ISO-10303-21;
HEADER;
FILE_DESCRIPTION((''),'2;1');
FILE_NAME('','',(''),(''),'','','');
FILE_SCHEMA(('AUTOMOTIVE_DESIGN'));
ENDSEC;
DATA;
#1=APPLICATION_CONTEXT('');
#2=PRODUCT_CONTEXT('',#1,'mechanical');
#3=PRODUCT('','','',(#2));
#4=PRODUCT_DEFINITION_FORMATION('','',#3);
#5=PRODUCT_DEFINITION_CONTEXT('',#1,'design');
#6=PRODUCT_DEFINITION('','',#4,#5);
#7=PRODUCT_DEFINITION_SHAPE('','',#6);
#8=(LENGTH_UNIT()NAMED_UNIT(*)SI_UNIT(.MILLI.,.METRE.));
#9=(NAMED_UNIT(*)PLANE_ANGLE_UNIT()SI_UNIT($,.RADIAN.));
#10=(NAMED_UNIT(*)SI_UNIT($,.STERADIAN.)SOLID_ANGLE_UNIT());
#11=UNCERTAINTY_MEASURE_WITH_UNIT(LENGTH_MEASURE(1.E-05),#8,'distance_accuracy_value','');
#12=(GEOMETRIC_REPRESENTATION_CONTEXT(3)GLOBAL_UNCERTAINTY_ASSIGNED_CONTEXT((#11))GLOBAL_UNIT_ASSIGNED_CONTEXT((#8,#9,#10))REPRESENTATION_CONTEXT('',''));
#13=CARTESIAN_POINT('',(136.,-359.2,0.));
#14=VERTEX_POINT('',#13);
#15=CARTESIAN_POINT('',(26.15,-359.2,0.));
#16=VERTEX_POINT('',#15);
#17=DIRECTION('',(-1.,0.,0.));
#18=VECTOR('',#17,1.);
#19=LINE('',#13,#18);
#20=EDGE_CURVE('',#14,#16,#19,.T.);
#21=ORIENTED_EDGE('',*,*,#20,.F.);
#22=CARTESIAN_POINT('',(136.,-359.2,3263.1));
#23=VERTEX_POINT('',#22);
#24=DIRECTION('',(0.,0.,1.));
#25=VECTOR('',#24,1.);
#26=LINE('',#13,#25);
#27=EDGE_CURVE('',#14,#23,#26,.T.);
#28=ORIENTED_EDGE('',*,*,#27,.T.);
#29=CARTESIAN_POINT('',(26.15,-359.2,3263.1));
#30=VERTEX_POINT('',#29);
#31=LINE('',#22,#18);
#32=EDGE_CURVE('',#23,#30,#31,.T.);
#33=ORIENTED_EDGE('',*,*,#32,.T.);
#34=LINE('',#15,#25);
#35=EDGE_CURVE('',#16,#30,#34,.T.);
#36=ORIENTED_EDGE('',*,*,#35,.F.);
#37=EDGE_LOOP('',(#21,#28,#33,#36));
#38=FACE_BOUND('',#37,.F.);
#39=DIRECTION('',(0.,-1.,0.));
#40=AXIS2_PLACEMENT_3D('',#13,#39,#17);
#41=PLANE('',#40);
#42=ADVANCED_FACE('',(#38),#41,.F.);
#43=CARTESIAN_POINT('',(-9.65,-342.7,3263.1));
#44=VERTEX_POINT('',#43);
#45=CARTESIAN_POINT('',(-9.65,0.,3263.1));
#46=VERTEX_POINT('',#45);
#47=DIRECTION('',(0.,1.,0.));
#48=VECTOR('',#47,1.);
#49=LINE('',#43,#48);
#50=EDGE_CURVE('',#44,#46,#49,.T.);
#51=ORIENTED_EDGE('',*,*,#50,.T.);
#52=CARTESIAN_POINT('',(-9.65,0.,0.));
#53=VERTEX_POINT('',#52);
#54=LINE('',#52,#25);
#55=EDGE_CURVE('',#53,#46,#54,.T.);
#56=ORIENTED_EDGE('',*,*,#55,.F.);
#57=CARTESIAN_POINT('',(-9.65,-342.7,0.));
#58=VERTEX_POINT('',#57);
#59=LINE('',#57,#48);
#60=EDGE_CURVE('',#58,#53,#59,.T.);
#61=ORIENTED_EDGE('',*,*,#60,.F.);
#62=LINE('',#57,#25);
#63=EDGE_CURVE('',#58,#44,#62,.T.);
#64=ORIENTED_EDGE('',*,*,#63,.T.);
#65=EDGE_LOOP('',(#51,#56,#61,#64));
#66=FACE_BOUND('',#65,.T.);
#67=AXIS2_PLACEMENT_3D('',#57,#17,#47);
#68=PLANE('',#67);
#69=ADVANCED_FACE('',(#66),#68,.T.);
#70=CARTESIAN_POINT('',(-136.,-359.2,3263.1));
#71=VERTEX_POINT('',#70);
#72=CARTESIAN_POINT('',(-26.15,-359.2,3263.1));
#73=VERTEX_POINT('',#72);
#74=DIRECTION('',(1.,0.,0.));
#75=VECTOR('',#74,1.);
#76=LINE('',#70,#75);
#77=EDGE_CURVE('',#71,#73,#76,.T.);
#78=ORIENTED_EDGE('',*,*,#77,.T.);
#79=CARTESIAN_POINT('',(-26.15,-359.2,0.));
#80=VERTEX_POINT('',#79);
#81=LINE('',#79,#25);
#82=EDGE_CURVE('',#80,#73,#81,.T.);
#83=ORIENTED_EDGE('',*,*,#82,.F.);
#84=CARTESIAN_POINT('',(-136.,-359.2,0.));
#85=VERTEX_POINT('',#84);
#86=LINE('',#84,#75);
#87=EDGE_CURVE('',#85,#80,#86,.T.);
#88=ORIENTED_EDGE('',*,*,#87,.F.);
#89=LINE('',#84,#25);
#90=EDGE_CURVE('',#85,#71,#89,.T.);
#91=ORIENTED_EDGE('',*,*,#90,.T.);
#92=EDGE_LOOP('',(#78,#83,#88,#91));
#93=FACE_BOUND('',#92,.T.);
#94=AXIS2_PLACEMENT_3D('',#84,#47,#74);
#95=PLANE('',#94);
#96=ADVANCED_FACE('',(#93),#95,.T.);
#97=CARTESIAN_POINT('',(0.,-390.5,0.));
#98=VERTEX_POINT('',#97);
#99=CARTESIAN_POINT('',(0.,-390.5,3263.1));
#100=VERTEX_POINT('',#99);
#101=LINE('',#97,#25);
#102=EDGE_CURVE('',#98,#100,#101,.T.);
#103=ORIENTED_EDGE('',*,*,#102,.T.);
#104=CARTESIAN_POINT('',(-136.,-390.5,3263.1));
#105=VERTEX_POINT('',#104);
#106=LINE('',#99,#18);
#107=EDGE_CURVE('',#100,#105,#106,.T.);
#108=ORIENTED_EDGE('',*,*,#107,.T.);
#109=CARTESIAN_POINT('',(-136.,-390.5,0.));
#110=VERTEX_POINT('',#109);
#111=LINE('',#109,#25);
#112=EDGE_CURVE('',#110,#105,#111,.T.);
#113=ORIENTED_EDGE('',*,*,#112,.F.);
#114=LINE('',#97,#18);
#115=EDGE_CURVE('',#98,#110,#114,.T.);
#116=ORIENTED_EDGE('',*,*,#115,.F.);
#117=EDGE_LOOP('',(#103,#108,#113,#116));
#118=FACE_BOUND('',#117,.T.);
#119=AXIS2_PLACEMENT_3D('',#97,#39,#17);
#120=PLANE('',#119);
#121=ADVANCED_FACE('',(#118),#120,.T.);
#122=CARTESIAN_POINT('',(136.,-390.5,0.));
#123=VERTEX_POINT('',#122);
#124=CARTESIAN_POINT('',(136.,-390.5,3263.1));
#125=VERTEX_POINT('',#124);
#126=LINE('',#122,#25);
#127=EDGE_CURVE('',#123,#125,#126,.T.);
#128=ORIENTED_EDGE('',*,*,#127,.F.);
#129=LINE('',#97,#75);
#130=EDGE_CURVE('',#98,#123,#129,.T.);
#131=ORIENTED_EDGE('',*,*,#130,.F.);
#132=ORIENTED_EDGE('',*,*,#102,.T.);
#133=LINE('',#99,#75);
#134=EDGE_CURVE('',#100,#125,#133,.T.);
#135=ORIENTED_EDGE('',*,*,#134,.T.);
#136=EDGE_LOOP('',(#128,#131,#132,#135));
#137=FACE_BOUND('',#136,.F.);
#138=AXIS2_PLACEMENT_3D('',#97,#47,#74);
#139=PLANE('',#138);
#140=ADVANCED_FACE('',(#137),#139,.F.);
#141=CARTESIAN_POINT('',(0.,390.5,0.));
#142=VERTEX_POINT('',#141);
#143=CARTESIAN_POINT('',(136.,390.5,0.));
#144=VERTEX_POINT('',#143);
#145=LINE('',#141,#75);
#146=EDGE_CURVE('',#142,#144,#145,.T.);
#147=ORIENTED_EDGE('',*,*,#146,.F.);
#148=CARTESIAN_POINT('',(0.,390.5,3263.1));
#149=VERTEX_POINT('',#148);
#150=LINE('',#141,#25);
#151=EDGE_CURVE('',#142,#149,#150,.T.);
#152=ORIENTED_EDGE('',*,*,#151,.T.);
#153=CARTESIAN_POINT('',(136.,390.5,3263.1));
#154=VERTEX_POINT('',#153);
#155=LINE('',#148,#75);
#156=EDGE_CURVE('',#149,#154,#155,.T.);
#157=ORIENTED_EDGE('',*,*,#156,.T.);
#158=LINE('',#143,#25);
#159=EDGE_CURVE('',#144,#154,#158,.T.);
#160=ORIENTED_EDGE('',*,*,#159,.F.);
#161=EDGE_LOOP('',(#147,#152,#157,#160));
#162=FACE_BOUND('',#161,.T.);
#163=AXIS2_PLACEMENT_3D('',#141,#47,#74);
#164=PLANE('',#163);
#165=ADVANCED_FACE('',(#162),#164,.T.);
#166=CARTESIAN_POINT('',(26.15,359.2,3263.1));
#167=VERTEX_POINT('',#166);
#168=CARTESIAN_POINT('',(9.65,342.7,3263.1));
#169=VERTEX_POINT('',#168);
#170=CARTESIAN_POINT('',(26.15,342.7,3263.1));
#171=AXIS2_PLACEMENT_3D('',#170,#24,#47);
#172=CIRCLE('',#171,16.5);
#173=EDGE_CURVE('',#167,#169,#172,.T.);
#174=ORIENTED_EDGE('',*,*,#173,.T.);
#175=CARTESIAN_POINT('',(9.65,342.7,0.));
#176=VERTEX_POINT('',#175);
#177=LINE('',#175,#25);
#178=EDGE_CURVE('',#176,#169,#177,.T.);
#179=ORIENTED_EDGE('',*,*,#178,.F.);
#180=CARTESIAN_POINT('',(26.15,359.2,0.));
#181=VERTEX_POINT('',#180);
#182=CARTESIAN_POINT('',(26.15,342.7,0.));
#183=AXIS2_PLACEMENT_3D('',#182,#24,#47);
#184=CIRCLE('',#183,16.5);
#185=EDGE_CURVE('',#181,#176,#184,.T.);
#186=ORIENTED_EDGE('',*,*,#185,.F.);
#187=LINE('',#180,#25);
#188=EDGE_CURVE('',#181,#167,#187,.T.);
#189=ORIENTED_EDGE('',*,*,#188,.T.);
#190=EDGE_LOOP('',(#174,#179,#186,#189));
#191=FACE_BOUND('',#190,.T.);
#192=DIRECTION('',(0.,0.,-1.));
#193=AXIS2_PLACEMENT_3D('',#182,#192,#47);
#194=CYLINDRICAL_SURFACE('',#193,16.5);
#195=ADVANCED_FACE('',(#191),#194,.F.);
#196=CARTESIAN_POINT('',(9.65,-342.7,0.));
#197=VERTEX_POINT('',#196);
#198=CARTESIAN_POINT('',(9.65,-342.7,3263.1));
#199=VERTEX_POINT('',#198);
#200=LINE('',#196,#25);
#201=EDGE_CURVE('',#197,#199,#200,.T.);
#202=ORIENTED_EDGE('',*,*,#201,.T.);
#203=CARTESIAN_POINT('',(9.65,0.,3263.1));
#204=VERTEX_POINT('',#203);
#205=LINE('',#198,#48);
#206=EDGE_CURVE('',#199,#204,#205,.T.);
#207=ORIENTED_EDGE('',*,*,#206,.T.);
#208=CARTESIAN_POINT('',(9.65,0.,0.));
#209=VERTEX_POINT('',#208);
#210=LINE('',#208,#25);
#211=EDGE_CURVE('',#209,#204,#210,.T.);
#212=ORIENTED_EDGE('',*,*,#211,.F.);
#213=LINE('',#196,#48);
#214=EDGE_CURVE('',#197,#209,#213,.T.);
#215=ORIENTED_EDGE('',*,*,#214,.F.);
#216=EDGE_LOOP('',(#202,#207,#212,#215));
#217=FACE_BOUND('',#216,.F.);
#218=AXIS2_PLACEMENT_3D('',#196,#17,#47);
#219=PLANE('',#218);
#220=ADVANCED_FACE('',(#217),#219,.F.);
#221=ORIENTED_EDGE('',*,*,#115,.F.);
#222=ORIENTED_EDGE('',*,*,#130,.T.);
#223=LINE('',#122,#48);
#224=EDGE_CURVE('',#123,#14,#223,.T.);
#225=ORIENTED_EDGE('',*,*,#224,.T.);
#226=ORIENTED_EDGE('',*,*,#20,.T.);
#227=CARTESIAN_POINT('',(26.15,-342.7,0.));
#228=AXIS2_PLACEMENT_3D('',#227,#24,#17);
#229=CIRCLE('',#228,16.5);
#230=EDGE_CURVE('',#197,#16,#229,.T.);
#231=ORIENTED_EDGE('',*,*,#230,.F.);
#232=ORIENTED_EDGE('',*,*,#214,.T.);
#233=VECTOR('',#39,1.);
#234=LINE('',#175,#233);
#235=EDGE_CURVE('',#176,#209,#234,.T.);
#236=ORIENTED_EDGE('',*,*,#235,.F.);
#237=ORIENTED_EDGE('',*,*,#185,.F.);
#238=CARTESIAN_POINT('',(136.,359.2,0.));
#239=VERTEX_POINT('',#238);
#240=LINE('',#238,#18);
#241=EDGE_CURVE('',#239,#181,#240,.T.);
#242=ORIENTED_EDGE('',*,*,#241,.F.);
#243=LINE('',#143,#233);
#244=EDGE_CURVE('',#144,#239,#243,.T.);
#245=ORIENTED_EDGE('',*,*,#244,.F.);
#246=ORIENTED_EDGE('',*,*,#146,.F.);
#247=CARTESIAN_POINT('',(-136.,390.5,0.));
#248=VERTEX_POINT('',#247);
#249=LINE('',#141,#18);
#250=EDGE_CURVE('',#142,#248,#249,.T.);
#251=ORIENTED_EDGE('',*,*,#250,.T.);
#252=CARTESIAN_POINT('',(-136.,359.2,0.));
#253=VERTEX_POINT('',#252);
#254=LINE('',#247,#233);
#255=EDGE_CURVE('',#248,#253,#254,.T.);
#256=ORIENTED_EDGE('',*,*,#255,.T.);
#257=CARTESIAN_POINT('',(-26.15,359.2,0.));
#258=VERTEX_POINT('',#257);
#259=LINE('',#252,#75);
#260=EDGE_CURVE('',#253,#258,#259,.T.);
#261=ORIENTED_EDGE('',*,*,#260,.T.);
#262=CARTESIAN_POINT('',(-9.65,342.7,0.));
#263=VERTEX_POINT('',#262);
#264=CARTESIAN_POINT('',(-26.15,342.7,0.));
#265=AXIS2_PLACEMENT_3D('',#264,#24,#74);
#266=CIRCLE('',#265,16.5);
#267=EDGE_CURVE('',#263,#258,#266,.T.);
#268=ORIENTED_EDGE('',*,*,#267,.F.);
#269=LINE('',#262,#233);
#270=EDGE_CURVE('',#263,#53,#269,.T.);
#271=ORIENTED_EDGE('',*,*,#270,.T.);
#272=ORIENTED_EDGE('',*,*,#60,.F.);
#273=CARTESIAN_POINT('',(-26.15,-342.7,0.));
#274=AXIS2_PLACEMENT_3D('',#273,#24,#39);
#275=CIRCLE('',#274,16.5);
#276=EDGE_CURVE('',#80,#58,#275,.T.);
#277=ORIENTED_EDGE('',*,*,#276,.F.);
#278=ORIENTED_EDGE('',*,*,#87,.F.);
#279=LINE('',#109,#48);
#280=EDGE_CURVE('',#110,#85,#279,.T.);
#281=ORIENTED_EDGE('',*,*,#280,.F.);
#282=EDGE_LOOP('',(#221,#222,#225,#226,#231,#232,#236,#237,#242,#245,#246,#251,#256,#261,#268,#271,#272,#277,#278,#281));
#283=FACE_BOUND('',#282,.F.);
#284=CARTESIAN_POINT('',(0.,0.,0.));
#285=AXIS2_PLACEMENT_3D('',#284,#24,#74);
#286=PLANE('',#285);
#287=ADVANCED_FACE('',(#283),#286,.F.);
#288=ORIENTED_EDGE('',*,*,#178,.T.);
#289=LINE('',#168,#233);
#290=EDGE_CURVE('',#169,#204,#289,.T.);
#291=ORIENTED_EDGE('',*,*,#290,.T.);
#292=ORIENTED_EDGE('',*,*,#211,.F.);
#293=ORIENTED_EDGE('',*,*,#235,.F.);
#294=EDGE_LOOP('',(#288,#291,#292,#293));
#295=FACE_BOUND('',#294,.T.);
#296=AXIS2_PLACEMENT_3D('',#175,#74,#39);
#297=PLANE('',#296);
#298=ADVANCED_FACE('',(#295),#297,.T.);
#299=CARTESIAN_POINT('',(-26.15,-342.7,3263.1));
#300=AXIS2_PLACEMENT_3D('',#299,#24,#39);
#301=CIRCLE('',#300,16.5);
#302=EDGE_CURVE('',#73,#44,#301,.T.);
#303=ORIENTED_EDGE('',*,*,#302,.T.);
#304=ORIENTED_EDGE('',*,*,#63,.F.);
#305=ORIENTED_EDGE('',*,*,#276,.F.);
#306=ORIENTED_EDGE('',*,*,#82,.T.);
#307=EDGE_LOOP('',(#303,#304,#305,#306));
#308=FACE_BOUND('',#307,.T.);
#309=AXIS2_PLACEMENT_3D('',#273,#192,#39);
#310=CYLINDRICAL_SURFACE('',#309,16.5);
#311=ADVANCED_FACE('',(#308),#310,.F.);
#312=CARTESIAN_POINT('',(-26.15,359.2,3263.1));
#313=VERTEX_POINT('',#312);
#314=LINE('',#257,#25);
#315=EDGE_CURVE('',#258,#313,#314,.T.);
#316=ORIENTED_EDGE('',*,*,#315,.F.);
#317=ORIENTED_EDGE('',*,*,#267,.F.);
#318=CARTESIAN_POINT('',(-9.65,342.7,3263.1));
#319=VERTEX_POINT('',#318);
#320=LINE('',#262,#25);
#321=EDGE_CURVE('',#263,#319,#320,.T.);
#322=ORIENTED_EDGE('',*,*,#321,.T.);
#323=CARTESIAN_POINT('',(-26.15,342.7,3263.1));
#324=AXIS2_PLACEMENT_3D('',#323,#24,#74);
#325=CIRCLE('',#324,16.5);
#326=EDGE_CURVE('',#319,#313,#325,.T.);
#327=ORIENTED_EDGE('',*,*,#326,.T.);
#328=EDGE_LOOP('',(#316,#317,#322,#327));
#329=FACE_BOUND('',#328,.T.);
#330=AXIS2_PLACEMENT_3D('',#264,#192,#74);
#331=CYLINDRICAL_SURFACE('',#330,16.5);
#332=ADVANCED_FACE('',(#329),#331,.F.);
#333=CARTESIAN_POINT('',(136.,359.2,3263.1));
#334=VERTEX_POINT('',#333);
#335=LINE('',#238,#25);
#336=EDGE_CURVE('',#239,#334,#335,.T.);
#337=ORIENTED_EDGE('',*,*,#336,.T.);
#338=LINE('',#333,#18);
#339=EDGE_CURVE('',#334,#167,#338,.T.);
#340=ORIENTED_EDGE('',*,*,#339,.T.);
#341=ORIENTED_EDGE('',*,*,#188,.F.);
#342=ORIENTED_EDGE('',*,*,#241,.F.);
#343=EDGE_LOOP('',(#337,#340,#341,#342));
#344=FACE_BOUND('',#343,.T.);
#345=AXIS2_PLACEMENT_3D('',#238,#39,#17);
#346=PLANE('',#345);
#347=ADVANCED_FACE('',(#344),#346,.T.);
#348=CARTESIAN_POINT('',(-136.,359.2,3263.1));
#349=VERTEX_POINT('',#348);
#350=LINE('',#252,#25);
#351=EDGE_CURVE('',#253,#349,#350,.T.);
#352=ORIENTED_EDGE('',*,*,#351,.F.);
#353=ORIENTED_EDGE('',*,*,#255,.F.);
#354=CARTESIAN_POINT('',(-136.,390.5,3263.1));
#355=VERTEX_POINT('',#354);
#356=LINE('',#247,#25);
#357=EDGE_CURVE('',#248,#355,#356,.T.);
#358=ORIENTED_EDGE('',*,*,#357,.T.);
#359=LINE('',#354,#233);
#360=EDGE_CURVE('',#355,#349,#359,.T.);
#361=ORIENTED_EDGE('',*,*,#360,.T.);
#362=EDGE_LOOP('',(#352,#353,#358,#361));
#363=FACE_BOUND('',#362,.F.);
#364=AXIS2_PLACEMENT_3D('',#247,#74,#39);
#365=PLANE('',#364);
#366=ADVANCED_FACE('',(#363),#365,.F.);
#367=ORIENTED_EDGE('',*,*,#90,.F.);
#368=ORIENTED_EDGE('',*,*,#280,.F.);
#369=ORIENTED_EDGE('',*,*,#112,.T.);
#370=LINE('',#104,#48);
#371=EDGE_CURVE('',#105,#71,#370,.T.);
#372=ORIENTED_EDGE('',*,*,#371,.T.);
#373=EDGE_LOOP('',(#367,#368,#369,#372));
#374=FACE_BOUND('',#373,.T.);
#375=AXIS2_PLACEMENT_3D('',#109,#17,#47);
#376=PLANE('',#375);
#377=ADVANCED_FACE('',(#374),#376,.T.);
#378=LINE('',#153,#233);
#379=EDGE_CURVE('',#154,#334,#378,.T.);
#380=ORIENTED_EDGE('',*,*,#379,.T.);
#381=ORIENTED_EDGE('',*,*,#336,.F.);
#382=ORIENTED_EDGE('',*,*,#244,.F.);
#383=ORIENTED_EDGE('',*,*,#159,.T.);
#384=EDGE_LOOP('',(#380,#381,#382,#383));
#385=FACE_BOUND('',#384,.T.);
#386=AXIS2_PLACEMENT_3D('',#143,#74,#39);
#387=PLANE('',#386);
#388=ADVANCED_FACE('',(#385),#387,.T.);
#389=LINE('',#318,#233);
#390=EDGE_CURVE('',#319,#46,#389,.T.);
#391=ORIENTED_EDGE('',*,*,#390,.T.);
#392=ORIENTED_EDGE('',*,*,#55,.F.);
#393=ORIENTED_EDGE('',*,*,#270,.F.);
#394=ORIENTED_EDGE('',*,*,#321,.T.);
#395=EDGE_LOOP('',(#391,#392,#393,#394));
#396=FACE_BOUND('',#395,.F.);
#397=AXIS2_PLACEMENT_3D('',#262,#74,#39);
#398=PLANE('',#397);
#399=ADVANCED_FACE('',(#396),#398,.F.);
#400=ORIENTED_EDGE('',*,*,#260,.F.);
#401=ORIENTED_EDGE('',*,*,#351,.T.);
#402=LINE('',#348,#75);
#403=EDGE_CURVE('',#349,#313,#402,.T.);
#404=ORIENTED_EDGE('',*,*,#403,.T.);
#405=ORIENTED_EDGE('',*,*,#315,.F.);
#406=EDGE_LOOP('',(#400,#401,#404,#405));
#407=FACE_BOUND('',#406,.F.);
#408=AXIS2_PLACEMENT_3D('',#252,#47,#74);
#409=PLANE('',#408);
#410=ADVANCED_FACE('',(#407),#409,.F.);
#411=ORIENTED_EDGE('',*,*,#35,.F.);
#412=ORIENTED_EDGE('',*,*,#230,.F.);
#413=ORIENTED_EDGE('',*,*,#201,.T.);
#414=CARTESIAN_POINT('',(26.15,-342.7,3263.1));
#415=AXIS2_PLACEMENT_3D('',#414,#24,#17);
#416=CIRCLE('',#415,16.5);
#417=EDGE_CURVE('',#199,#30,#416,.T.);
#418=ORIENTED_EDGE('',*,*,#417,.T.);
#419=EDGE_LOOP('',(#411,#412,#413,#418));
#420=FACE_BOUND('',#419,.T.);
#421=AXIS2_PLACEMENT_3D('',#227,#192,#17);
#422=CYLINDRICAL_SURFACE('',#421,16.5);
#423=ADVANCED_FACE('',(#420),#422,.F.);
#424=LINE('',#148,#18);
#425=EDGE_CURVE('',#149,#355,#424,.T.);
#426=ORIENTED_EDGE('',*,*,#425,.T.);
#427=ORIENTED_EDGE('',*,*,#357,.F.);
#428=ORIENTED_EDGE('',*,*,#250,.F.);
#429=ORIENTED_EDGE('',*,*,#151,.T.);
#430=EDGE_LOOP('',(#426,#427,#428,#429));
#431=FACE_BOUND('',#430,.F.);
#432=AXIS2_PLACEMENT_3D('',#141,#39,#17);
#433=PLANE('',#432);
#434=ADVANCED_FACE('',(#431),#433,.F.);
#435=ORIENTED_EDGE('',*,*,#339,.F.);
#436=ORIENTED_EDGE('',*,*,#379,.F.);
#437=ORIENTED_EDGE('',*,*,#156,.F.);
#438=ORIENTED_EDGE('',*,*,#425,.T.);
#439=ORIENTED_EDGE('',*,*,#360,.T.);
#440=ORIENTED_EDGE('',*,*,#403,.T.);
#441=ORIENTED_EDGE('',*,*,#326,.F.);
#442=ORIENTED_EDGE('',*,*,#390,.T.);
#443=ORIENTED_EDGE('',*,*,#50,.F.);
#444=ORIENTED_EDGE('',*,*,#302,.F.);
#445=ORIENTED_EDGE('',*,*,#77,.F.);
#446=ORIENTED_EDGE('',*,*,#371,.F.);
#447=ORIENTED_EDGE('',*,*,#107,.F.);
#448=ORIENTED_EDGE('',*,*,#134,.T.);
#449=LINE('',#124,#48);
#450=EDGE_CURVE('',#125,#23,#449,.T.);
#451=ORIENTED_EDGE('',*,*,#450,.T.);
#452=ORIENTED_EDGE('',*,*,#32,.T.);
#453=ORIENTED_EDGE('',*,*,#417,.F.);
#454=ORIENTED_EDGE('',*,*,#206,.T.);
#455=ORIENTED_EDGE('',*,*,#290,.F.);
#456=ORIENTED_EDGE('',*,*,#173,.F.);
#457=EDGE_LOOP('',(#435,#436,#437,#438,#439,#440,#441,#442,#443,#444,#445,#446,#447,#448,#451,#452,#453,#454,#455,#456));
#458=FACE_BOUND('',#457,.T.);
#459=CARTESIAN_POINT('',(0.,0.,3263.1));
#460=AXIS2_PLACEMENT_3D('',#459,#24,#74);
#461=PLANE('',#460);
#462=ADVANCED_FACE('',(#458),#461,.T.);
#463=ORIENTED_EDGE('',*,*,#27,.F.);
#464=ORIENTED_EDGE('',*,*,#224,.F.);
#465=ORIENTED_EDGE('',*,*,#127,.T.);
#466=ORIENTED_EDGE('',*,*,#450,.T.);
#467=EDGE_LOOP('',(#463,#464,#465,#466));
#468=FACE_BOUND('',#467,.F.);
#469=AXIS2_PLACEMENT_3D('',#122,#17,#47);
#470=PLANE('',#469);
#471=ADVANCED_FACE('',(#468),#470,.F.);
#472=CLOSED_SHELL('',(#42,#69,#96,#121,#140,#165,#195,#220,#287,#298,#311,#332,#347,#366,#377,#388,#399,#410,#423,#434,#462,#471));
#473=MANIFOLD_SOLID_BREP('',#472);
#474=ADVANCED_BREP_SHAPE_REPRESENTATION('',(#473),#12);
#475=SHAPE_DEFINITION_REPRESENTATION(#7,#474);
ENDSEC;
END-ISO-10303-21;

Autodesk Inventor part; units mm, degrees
ref_plane "YZ Plane" through (0, 0, 0) normal (1, 0, 0) x (0, 1, 0)
ref_plane "Start plane" through (0, 0, 0) normal (0, 0, 1) x (1, 0, 0)
ref_plane "End plane" through (0, 0, 3263.1) normal (0, 0, 1) x (1, 0, 0)
sketch "Sketch" plane through (0, 0, 0) normal (0, 0, 1) x (1, 0, 0)
  line L0 (-136, -390.5) -> (-136, -359.2)
  line L1 (-136, -359.2) -> (-26.15, -359.2)
  line L2 (-9.65, -342.7) -> (-9.65, 0)
  line L3 (-9.65, 0) -> (0, 0) construction
  line L4 (0, 0) -> (0, -390.5) construction
  line L5 (0, -390.5) -> (-136, -390.5)
  line L6 (-60, 0) -> (80, 0) construction
  line L7 (0, -60) -> (0, 80) construction
  line L8 (136, -390.5) -> (136, -359.2)
  line L9 (136, -359.2) -> (26.15, -359.2)
  line L10 (9.65, -342.7) -> (9.65, 0)
  line L11 (9.65, 0) -> (0, 0) construction
  line L12 (0, -390.5) -> (136, -390.5)
  line L13 (-136, 390.5) -> (-136, 359.2)
  line L14 (-136, 359.2) -> (-26.15, 359.2)
  line L15 (-9.65, 342.7) -> (-9.65, 0)
  line L16 (0, 390.5) -> (-136, 390.5)
  line L17 (136, 390.5) -> (136, 359.2)
  line L18 (136, 359.2) -> (26.15, 359.2)
  line L19 (0, 390.5) -> (136, 390.5)
  line L20 (9.65, 342.7) -> (9.65, 0)
  arc A0 (-9.65, 342.7) -> (-26.15, 359.2) centre (-26.15, 342.7) ccw
  arc A1 (26.15, 359.2) -> (9.65, 342.7) centre (26.15, 342.7) ccw
  arc A2 (9.65, -342.7) -> (26.15, -359.2) centre (26.15, -342.7) ccw
  arc A3 (-26.15, -359.2) -> (-9.65, -342.7) centre (-26.15, -342.7) ccw
  line L21 (0, 108) -> (0, -88) construction
  line L22 (-88, 0) -> (108, 0) construction
  point P0 (-9.65, -359.2)
  point P1 (9.65, -359.2)
  point P2 (-9.65, 359.2)
  point P3 (9.65, 359.2)
  dimension "d1" = 390.5
  dimension "d2" = 31.3
  dimension "d3" = 136
  dimension "d4" = 9.65
  dimension "d10" = 16.5
extrude "Body" add sketch "Sketch" along normal up to surface (3263.1 mm away) from surface at 0
sketch "Sketch4" plane through (0, 0, 0) normal (0, 0, 1) x (1, 0, 0)
  line L0 (0, 0) -> (10, 0)
ref_plane "Work Plane3" through (0, 0, 0) normal (0, -1, 0) x (1, 0, 0)
sketch "Sketch5" plane through (0, 0, 0) normal (0, -1, 0) x (1, 0, 0)
  line L0 (-2, 0) -> (12, 0) projected
  line L1 (-2, 3263.1) -> (12, 3263.1) projected
  dimension "d14" = 3263.1
equation "\"d1\" = 0.5 * G_H"
equation "\"d2\" = G_T1"
equation "\"d3\" = 0.5 * G_W"
equation "\"d4\" = 0.5 * G_T"
equation "\"d10\" = G_IR"
equation "\"d5\" = G_L"
equation "\"G_W\" = 272"
equation "\"G_H\" = 781"
equation "\"G_T\" = 19.3"
equation "\"G_T1\" = 31.3"
equation "\"G_IR\" = 16.5"
equation "\"G_L\" = d14"
equation "\"G_OFFSET_START\" = 0"
equation "\"G_OFFSET_END\" = 0"
equation "\"d12\" = G_OFFSET_END + B_L"
equation "\"B_L\" = 3263.1"
properties part number "AS 3679-1990 - 760 UB - 244 - 3263.1" material "Steel, Mild"
